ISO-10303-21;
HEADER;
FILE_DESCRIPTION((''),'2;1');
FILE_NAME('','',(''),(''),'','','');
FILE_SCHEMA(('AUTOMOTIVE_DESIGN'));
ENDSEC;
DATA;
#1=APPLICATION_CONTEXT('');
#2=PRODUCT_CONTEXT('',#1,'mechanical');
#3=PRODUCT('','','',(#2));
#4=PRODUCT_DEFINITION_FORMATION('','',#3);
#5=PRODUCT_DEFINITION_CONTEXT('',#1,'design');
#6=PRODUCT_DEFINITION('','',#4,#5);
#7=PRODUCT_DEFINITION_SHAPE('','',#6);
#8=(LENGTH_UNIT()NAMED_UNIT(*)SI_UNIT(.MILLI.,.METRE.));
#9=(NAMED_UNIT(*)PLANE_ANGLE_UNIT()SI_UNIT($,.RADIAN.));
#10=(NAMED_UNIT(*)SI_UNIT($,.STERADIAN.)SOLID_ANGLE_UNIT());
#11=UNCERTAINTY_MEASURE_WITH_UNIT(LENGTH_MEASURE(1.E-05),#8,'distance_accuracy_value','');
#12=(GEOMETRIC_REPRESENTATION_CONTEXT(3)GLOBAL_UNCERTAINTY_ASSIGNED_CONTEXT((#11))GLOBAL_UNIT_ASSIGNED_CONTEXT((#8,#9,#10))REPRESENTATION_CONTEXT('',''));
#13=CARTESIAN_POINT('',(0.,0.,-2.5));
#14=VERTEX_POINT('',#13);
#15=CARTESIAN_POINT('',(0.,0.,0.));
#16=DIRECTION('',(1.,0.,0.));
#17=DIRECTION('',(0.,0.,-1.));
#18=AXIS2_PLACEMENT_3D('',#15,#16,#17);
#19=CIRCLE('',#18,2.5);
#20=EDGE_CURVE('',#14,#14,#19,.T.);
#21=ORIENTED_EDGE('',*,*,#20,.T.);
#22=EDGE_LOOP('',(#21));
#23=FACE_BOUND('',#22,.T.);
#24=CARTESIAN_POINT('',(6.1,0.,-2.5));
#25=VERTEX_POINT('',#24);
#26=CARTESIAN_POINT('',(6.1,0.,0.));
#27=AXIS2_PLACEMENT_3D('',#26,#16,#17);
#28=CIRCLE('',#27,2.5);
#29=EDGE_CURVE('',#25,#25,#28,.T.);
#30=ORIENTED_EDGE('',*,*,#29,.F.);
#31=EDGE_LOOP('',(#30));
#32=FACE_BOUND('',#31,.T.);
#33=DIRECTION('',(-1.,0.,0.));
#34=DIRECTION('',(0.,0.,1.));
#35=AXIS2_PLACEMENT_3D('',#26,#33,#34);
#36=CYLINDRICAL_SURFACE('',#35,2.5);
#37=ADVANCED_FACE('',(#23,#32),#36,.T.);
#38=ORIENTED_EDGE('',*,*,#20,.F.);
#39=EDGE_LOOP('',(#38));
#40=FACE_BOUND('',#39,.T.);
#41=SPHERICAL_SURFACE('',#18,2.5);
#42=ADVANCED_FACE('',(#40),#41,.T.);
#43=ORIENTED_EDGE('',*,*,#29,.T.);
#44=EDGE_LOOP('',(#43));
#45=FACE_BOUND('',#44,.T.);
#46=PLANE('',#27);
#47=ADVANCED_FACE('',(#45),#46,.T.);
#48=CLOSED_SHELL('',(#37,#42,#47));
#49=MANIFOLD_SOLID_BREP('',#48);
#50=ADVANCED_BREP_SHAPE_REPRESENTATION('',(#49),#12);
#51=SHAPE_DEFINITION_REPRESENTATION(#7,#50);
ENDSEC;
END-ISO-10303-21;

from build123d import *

# Parameters (mm, degrees)
REVOLVE1_ANGLE      = 180
SKETCH2_R           = 2.5
BOSS_EXTRUDE1_DEPTH = 6.1


with BuildPart() as part:
    # Sketch1 → Revolve1 (revolve)
    with BuildSketch(Plane(origin=(0, 0, 0), x_dir=(0, 0, -1), z_dir=(1, 0, 0))):
        with BuildLine():
            Line((0, -2.5), (0, 2.5))
            ThreePointArc((0, 2.5), (2.5, 0), (0, -2.5))
        make_face()
    revolve(axis=Axis((0, -2.5, 0), (0, 1, 0)), revolution_arc=REVOLVE1_ANGLE)

    # Sketch2 → Boss-Extrude1 (add)
    with BuildSketch(Plane(origin=(0, 0, 0), x_dir=(0, 0, -1), z_dir=(1, 0, 0))):
        Circle(SKETCH2_R)
    extrude(amount=BOSS_EXTRUDE1_DEPTH)


solid = part.part
